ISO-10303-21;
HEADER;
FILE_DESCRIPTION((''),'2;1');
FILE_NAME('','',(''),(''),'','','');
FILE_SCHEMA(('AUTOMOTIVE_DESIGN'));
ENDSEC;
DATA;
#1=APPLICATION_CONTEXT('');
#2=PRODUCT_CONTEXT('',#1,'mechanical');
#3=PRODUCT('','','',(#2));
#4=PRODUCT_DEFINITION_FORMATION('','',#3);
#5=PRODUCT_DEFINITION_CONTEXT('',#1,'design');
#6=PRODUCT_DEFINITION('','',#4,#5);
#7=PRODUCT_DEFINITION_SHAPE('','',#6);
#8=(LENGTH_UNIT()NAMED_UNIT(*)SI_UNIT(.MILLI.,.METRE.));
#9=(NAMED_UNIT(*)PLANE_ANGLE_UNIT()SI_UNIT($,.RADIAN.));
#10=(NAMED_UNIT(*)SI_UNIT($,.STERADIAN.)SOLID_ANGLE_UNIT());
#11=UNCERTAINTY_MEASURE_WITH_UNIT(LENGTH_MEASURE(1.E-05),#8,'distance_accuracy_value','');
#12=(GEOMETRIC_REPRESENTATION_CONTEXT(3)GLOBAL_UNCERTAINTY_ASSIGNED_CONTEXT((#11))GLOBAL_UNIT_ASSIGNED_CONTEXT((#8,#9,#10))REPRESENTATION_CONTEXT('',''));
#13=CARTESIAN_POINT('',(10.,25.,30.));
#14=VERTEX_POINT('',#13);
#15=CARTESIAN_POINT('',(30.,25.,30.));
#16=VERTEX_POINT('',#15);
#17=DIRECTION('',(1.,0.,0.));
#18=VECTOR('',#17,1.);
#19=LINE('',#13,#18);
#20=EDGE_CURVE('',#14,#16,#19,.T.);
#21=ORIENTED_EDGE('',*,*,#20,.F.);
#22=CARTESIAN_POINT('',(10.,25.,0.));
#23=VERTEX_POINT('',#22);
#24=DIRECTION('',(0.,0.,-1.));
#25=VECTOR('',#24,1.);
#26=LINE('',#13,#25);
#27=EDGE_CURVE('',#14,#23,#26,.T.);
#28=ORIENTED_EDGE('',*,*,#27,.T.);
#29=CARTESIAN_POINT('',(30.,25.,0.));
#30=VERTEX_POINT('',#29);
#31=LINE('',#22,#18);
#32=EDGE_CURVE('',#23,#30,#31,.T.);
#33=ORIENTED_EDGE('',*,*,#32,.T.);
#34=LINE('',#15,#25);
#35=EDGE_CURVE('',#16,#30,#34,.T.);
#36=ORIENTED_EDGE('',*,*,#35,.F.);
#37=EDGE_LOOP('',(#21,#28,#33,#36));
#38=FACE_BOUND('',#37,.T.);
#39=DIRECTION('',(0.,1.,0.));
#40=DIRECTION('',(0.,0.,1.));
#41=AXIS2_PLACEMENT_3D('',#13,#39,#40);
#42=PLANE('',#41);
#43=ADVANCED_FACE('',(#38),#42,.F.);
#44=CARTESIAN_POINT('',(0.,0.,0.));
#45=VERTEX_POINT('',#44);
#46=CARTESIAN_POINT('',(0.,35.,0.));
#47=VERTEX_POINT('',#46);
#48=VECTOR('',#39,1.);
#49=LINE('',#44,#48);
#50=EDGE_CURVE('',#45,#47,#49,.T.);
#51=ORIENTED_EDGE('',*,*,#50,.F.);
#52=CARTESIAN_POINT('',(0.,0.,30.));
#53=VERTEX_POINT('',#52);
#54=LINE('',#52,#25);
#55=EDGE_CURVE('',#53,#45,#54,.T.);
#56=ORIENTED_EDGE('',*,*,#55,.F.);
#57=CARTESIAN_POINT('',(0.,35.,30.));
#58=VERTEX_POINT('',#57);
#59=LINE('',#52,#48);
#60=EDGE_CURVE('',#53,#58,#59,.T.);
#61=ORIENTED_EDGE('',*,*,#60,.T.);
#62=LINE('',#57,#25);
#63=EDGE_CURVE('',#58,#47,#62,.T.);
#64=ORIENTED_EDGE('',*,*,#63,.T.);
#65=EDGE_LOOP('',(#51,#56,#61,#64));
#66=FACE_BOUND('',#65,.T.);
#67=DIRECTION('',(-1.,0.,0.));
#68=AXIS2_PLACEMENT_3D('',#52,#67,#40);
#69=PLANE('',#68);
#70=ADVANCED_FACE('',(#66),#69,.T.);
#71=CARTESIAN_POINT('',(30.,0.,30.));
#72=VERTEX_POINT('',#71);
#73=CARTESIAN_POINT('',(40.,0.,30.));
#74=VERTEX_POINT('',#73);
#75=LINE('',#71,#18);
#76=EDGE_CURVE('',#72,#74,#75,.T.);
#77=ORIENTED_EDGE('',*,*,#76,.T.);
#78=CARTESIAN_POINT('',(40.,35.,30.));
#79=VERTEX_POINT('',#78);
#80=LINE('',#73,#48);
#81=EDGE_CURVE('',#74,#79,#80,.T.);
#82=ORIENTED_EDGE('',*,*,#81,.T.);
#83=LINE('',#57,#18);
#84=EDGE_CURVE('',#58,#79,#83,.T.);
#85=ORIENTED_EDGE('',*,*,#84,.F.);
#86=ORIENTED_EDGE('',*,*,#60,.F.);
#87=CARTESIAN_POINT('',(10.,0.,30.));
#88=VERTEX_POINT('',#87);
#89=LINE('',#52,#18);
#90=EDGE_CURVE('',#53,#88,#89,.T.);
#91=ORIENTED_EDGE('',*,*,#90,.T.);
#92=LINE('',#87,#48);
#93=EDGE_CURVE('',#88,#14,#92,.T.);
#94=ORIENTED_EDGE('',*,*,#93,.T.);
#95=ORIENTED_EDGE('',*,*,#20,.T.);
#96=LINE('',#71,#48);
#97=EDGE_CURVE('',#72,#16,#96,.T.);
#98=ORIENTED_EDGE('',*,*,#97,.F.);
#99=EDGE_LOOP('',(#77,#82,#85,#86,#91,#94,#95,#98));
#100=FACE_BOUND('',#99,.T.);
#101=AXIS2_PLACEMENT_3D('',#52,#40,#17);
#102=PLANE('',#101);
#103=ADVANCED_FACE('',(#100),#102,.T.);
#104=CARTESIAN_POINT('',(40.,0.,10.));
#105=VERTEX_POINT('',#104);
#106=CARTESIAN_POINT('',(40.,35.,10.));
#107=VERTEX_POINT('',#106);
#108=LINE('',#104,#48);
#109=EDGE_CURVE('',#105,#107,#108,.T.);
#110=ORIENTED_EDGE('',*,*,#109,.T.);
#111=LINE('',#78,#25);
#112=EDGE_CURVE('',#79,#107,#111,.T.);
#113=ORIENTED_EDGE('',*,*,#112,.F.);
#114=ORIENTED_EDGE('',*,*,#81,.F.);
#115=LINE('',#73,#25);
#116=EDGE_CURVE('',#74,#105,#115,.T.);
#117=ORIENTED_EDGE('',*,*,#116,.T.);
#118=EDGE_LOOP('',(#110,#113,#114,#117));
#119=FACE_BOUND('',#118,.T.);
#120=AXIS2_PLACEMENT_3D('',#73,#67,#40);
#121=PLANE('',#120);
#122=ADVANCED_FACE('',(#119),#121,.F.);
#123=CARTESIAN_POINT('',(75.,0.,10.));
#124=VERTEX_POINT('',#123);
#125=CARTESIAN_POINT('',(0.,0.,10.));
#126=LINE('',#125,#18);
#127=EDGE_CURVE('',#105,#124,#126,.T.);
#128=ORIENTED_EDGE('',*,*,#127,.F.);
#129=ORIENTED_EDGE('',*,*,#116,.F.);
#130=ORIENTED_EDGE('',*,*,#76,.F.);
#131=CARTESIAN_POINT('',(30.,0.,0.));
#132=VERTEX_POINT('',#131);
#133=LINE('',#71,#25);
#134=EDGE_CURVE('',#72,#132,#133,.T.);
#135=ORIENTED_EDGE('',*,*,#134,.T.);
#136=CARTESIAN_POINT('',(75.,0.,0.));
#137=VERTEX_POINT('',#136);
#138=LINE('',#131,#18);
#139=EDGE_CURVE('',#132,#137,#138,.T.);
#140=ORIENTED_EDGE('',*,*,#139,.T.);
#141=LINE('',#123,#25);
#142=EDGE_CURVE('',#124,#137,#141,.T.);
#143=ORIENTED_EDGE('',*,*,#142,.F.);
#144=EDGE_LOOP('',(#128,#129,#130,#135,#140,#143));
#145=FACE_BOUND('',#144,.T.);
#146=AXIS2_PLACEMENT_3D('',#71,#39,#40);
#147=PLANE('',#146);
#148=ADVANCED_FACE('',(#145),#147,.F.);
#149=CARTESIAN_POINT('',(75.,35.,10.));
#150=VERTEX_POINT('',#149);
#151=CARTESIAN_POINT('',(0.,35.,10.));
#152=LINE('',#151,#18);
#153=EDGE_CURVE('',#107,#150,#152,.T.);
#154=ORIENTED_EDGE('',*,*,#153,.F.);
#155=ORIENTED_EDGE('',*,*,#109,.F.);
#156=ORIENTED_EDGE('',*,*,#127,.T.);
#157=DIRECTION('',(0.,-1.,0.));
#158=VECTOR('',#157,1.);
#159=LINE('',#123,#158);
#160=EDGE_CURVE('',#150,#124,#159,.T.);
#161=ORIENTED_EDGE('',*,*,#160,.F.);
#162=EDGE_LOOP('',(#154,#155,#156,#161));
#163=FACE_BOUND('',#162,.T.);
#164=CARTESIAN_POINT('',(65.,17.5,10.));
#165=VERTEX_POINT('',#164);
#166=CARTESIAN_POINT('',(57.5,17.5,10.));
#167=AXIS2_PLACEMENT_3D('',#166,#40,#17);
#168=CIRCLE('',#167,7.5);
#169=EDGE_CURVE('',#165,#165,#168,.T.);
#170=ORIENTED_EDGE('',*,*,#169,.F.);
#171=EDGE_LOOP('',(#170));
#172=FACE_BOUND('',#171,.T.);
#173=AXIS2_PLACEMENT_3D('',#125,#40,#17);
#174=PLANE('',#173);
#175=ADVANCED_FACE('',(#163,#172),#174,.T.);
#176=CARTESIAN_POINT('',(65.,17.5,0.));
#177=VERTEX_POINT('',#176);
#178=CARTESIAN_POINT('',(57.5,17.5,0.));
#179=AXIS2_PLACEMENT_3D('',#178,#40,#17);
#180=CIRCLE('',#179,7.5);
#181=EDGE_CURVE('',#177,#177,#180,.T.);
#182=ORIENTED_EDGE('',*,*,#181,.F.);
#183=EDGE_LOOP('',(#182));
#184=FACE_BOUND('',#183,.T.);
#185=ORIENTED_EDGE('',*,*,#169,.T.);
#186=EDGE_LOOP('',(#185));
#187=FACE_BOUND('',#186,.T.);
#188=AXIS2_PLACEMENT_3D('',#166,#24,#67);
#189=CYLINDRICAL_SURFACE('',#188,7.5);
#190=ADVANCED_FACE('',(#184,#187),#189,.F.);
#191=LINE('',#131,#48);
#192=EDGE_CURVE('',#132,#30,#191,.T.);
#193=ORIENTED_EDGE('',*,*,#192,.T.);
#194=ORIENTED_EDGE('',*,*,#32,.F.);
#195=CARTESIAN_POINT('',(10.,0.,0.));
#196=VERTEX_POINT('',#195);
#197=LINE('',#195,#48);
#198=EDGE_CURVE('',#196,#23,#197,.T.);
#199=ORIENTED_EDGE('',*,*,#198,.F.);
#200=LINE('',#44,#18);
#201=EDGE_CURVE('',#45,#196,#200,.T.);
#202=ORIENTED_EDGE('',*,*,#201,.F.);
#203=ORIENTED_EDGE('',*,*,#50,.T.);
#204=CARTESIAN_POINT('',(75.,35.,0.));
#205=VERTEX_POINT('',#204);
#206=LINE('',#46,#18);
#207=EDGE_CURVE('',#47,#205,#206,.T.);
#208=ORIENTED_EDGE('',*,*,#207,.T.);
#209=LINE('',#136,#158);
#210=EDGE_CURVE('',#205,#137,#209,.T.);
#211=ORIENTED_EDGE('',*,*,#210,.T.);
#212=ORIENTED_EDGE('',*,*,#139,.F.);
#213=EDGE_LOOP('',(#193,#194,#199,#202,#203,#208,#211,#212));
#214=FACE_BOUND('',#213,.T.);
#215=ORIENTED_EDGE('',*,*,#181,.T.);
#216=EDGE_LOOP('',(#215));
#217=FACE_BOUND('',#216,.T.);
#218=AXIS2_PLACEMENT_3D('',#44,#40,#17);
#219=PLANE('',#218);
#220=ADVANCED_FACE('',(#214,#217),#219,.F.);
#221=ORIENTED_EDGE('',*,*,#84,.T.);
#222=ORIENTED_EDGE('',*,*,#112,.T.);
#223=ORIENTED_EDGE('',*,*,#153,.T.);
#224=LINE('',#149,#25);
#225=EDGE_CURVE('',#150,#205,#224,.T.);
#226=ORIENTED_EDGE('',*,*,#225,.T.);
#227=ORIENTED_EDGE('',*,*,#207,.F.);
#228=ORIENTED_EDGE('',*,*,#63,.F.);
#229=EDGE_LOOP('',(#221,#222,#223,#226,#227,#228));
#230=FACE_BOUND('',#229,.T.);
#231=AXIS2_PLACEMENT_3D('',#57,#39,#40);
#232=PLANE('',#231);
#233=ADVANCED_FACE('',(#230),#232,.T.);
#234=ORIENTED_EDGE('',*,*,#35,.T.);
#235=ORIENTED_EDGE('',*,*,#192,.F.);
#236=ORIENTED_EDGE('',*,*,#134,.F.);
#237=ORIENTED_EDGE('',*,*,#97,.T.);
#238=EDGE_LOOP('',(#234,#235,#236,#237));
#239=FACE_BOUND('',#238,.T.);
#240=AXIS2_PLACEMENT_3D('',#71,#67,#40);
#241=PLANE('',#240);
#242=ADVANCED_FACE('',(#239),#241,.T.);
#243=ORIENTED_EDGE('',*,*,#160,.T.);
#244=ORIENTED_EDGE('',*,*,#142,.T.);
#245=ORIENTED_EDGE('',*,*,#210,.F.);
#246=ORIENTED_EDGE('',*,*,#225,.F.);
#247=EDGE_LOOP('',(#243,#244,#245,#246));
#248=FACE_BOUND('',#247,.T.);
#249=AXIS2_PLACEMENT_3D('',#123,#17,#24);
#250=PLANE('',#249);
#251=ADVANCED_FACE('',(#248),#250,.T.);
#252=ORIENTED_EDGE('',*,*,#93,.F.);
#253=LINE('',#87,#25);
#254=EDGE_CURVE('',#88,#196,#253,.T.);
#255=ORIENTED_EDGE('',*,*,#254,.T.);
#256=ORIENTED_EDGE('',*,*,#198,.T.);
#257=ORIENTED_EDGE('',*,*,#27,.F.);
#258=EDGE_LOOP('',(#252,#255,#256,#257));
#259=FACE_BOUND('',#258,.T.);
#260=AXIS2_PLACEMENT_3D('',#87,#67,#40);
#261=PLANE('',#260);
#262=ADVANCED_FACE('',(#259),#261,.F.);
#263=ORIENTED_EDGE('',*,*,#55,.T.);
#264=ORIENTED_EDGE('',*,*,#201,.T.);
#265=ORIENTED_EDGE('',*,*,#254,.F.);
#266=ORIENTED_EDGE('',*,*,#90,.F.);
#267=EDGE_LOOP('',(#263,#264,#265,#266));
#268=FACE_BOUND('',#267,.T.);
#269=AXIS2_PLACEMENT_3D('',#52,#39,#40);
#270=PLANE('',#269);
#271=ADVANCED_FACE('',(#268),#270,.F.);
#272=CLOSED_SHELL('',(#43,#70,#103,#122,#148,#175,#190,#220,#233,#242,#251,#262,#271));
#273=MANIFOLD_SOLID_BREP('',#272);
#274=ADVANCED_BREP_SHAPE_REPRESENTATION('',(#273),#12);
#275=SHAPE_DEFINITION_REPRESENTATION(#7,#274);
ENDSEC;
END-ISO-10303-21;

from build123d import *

# Parameters (mm, degrees)
BOSS_EXTRUDE1_DEPTH = 30
SKETCH1_3_W         = 35
SKETCH1_3_H         = 35
SKETCH1_3_R         = 7.5
BOSS_EXTRUDE2_DEPTH = 10


with BuildPart() as part:
    # Sketch1 → Boss-Extrude1 (new body)
    with BuildSketch(Plane.XY):
        Polygon((10, 0), (10, 25), (30, 25), (30, 0), (40, 0), (40, 35), (0, 35), (0, 0), align=None)
    extrude(amount=BOSS_EXTRUDE1_DEPTH)

    # Sketch1<3> → Boss-Extrude2 (add)
    with BuildSketch(Plane.XY):
        with Locations((57.5, 17.5)):
            Rectangle(SKETCH1_3_W, SKETCH1_3_H)
        with Locations((57.5, 17.5)):
            Circle(SKETCH1_3_R, mode=Mode.SUBTRACT)
    extrude(amount=BOSS_EXTRUDE2_DEPTH)


solid = part.part
